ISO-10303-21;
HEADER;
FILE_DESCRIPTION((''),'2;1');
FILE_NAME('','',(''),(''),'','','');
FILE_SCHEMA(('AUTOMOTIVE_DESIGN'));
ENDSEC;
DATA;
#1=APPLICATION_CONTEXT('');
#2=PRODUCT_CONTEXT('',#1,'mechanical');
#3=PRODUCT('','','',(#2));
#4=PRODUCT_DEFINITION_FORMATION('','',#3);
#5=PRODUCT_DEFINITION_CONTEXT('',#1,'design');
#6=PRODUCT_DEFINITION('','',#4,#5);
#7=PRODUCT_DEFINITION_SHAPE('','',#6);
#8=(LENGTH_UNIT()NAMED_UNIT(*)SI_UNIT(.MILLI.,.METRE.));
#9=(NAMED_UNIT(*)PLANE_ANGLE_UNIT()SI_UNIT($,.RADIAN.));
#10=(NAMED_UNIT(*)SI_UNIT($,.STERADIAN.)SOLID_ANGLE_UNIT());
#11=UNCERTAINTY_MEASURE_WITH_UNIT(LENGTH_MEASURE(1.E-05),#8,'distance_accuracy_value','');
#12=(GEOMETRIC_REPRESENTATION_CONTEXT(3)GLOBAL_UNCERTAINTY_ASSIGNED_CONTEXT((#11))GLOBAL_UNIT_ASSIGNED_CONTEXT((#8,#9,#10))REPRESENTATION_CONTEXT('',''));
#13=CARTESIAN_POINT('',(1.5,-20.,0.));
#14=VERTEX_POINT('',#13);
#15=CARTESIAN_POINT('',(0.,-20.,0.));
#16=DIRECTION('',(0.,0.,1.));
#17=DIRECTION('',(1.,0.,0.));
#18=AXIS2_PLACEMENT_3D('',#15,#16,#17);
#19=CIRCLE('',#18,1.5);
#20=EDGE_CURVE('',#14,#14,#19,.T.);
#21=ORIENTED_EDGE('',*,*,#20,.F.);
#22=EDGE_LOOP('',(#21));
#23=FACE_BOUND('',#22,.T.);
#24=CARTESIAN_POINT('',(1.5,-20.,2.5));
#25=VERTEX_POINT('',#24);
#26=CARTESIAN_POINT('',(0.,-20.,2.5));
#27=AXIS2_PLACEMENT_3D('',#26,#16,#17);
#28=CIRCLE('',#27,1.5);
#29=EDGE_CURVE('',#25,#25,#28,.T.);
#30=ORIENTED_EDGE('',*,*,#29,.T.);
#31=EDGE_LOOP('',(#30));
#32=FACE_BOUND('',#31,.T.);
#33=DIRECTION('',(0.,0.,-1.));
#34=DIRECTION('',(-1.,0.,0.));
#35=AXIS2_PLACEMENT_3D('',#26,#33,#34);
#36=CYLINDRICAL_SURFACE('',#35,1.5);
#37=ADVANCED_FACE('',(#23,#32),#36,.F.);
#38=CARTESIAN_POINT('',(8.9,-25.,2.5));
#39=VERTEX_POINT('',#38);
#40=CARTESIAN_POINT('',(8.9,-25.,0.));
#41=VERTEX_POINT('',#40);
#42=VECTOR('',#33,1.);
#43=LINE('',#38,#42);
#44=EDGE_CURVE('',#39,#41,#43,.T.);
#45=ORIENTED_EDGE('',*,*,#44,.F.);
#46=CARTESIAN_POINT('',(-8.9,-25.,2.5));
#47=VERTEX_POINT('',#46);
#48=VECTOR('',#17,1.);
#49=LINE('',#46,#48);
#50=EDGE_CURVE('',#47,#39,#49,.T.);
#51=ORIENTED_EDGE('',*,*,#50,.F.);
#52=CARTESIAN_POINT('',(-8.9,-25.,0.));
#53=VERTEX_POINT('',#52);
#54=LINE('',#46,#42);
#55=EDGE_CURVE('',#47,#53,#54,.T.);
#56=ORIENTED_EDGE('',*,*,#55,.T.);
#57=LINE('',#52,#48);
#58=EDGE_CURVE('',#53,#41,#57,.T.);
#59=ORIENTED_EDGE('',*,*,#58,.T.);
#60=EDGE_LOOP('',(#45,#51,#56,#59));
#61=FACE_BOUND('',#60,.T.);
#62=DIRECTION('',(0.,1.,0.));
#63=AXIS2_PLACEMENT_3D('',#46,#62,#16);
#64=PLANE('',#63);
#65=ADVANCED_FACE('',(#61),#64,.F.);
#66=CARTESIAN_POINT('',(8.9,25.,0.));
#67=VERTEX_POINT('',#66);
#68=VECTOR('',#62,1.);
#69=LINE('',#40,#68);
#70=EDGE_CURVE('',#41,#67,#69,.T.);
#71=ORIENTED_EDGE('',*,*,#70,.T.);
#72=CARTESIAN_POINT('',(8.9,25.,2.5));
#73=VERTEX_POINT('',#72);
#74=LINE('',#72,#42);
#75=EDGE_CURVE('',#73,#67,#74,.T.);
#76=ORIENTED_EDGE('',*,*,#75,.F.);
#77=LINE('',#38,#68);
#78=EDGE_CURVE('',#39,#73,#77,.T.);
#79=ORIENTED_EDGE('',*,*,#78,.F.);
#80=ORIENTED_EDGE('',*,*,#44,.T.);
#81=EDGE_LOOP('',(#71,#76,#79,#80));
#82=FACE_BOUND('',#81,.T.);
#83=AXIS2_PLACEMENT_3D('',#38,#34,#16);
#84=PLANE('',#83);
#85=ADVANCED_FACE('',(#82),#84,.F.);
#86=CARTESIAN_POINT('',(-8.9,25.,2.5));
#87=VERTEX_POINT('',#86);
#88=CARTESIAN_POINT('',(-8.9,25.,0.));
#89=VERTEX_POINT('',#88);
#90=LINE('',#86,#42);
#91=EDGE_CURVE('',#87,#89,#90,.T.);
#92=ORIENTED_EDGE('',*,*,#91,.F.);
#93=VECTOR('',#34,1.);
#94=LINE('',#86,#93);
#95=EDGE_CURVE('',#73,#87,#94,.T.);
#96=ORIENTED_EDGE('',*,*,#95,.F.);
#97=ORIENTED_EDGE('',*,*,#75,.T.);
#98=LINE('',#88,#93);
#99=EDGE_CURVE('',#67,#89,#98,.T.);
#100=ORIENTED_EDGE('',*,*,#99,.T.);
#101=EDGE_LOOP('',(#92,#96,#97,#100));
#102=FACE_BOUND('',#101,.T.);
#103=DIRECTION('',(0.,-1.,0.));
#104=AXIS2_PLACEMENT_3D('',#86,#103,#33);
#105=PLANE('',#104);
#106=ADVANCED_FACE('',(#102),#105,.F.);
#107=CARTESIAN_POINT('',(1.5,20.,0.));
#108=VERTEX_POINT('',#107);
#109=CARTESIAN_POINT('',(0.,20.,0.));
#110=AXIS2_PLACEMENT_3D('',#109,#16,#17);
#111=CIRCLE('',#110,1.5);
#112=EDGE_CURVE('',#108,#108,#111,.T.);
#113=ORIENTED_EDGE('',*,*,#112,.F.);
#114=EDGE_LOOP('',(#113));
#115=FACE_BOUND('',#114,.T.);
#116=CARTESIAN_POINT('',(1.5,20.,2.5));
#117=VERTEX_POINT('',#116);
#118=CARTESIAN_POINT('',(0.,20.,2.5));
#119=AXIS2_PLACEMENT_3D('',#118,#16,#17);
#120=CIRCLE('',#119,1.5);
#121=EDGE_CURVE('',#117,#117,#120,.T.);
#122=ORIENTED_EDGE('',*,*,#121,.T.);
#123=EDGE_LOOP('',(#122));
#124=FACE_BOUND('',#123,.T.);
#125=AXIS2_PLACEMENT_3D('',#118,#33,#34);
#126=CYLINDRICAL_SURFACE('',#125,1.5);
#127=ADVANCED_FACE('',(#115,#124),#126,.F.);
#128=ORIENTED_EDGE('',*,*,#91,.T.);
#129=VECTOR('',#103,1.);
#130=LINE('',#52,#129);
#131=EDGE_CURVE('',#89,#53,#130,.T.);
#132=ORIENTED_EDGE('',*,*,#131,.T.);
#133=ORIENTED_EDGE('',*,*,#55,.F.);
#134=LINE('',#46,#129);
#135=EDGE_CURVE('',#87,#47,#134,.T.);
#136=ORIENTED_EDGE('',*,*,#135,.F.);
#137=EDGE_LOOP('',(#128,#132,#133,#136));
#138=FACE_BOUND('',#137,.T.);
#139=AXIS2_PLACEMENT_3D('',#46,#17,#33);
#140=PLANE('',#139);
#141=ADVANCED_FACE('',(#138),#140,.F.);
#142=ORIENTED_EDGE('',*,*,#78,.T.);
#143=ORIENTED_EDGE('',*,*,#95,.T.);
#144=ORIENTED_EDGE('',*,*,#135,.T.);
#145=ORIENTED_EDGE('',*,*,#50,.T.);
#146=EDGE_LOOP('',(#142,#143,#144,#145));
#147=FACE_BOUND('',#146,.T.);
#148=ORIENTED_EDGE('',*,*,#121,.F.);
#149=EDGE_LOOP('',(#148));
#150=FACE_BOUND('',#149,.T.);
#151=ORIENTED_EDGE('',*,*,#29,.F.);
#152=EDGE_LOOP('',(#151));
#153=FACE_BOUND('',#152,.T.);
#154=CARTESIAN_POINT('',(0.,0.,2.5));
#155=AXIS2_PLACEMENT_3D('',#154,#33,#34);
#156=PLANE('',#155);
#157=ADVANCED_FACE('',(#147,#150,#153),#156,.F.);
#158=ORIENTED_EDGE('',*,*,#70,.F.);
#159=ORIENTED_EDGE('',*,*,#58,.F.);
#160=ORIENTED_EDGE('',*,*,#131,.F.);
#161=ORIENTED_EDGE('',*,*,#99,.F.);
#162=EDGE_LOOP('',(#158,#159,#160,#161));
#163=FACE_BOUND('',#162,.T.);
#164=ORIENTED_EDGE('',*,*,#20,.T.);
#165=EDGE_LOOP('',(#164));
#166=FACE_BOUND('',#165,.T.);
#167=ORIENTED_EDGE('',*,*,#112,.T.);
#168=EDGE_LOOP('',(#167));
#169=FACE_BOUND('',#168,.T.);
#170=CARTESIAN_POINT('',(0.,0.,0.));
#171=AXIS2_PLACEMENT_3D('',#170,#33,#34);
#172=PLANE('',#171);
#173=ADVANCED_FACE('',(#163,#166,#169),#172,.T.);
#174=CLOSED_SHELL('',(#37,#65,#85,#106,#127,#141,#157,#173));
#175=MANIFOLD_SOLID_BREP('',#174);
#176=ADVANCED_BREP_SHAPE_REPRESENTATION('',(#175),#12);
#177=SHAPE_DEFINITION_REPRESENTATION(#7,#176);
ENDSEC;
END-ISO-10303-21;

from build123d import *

# Parameters (mm, degrees)
SKETCH_1_W      = 17.8
SKETCH_1_H      = 50
SKETCH_1_R      = 1.5
EXTRUDE_1_DEPTH = 2.5


with BuildPart() as part:
    # 草图1 → 凸台-拉伸1 (new body)
    with BuildSketch(Plane.XY):
        Rectangle(SKETCH_1_W, SKETCH_1_H)
        with Locations((0, -20)):
            Circle(SKETCH_1_R, mode=Mode.SUBTRACT)
        with Locations((0, 20)):
            Circle(SKETCH_1_R, mode=Mode.SUBTRACT)
    extrude(amount=EXTRUDE_1_DEPTH)


solid = part.part
